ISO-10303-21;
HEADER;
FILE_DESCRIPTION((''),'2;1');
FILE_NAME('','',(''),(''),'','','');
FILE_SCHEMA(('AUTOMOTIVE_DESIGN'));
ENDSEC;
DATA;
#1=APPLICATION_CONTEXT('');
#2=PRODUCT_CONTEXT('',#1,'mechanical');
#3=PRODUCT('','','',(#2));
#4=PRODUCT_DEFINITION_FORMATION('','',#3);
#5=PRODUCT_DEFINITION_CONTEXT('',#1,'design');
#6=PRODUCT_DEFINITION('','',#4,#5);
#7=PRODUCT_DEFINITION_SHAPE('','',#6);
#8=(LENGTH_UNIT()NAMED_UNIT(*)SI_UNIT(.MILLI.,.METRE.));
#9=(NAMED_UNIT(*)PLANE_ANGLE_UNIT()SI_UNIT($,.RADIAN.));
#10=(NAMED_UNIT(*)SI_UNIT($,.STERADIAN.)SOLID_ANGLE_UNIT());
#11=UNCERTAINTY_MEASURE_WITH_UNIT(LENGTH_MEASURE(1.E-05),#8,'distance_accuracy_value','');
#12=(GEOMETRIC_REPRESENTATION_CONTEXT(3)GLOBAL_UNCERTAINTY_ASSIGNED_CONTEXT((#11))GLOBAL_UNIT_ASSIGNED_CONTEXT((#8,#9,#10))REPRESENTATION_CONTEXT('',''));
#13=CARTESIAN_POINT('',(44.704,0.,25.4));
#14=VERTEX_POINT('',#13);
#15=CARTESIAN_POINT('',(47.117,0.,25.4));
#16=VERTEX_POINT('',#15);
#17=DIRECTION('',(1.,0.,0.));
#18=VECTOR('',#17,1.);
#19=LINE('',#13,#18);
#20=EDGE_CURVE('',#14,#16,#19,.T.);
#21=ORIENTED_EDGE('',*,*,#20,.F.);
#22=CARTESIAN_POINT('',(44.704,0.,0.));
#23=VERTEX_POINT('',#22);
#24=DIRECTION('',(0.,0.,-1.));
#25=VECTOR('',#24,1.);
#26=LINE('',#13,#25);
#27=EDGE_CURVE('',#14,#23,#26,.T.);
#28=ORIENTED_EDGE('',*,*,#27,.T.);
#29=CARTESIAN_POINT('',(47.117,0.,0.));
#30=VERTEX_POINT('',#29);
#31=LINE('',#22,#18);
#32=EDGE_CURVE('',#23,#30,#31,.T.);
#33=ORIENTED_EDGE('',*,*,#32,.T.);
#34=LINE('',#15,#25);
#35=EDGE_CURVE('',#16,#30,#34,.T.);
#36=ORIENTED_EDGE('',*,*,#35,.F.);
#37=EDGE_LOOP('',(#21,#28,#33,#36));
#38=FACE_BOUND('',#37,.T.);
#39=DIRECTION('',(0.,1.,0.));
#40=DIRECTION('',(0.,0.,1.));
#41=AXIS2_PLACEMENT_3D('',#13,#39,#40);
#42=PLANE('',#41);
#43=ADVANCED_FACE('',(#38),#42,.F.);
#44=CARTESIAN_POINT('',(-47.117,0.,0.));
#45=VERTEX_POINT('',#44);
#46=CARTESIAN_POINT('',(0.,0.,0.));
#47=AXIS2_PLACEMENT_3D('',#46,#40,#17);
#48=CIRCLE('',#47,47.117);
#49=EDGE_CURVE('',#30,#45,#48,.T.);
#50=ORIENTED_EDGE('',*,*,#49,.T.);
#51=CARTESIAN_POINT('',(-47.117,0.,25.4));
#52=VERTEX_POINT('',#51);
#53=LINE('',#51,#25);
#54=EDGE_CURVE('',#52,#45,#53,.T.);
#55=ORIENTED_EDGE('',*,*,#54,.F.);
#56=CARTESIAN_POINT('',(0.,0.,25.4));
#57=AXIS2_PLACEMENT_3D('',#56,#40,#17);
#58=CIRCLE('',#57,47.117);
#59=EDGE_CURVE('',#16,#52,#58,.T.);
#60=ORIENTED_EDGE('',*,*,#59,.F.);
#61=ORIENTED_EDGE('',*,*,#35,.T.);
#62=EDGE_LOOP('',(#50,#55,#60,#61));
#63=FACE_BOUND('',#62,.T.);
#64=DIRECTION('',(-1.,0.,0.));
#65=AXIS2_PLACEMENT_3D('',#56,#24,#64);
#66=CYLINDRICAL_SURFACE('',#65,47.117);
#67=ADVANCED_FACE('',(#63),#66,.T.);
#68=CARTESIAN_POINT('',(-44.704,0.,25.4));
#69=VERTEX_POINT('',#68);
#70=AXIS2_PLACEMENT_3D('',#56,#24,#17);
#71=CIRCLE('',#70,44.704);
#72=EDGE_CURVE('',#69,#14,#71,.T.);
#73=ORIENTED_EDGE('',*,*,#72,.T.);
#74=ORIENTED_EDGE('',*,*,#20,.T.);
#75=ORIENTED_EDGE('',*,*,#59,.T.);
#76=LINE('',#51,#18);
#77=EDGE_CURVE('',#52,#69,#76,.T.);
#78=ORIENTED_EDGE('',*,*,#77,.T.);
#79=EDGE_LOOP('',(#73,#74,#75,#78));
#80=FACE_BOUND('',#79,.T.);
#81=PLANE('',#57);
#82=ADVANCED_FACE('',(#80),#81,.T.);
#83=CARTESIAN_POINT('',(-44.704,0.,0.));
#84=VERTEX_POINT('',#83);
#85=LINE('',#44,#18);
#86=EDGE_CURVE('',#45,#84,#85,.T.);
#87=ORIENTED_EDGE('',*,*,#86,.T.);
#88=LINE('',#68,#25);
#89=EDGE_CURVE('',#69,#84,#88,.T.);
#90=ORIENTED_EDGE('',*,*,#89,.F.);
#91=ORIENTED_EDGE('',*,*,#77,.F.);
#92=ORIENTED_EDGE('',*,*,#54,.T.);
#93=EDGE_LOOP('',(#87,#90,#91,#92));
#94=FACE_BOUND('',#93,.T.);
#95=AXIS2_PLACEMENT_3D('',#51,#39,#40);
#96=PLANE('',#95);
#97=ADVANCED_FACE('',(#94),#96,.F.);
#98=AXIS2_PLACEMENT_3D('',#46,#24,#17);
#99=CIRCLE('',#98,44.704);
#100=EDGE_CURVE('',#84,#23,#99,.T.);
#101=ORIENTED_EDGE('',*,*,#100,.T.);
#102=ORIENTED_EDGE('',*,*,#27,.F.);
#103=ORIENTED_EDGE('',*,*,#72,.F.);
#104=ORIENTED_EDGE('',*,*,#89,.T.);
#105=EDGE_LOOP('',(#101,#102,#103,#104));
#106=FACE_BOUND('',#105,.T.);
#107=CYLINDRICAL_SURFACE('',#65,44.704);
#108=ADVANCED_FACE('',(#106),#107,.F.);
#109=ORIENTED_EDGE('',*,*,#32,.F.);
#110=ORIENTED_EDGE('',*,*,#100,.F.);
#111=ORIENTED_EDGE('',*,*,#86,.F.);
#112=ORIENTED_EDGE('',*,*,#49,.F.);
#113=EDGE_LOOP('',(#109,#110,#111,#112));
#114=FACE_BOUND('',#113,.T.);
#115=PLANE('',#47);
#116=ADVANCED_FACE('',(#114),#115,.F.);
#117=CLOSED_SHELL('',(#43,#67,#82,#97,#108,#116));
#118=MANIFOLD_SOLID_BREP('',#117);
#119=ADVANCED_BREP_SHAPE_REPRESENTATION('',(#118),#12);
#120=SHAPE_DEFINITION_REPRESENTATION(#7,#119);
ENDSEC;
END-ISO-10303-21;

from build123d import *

# Parameters (mm, degrees)
BOSS_EXTRUDE1_DEPTH = 25.4


with BuildPart() as part:
    # Sketch1 → Boss-Extrude1 (new body)
    with BuildSketch(Plane.XY):
        with BuildLine():
            Line((-47.117, 0), (-44.704, 0))
            ThreePointArc((-44.704, 0), (0, 44.704), (44.704, 0))
            Line((44.704, 0), (47.117, 0))
            ThreePointArc((47.117, 0), (0, 47.117), (-47.117, 0))
        make_face()
    extrude(amount=BOSS_EXTRUDE1_DEPTH)


solid = part.part
